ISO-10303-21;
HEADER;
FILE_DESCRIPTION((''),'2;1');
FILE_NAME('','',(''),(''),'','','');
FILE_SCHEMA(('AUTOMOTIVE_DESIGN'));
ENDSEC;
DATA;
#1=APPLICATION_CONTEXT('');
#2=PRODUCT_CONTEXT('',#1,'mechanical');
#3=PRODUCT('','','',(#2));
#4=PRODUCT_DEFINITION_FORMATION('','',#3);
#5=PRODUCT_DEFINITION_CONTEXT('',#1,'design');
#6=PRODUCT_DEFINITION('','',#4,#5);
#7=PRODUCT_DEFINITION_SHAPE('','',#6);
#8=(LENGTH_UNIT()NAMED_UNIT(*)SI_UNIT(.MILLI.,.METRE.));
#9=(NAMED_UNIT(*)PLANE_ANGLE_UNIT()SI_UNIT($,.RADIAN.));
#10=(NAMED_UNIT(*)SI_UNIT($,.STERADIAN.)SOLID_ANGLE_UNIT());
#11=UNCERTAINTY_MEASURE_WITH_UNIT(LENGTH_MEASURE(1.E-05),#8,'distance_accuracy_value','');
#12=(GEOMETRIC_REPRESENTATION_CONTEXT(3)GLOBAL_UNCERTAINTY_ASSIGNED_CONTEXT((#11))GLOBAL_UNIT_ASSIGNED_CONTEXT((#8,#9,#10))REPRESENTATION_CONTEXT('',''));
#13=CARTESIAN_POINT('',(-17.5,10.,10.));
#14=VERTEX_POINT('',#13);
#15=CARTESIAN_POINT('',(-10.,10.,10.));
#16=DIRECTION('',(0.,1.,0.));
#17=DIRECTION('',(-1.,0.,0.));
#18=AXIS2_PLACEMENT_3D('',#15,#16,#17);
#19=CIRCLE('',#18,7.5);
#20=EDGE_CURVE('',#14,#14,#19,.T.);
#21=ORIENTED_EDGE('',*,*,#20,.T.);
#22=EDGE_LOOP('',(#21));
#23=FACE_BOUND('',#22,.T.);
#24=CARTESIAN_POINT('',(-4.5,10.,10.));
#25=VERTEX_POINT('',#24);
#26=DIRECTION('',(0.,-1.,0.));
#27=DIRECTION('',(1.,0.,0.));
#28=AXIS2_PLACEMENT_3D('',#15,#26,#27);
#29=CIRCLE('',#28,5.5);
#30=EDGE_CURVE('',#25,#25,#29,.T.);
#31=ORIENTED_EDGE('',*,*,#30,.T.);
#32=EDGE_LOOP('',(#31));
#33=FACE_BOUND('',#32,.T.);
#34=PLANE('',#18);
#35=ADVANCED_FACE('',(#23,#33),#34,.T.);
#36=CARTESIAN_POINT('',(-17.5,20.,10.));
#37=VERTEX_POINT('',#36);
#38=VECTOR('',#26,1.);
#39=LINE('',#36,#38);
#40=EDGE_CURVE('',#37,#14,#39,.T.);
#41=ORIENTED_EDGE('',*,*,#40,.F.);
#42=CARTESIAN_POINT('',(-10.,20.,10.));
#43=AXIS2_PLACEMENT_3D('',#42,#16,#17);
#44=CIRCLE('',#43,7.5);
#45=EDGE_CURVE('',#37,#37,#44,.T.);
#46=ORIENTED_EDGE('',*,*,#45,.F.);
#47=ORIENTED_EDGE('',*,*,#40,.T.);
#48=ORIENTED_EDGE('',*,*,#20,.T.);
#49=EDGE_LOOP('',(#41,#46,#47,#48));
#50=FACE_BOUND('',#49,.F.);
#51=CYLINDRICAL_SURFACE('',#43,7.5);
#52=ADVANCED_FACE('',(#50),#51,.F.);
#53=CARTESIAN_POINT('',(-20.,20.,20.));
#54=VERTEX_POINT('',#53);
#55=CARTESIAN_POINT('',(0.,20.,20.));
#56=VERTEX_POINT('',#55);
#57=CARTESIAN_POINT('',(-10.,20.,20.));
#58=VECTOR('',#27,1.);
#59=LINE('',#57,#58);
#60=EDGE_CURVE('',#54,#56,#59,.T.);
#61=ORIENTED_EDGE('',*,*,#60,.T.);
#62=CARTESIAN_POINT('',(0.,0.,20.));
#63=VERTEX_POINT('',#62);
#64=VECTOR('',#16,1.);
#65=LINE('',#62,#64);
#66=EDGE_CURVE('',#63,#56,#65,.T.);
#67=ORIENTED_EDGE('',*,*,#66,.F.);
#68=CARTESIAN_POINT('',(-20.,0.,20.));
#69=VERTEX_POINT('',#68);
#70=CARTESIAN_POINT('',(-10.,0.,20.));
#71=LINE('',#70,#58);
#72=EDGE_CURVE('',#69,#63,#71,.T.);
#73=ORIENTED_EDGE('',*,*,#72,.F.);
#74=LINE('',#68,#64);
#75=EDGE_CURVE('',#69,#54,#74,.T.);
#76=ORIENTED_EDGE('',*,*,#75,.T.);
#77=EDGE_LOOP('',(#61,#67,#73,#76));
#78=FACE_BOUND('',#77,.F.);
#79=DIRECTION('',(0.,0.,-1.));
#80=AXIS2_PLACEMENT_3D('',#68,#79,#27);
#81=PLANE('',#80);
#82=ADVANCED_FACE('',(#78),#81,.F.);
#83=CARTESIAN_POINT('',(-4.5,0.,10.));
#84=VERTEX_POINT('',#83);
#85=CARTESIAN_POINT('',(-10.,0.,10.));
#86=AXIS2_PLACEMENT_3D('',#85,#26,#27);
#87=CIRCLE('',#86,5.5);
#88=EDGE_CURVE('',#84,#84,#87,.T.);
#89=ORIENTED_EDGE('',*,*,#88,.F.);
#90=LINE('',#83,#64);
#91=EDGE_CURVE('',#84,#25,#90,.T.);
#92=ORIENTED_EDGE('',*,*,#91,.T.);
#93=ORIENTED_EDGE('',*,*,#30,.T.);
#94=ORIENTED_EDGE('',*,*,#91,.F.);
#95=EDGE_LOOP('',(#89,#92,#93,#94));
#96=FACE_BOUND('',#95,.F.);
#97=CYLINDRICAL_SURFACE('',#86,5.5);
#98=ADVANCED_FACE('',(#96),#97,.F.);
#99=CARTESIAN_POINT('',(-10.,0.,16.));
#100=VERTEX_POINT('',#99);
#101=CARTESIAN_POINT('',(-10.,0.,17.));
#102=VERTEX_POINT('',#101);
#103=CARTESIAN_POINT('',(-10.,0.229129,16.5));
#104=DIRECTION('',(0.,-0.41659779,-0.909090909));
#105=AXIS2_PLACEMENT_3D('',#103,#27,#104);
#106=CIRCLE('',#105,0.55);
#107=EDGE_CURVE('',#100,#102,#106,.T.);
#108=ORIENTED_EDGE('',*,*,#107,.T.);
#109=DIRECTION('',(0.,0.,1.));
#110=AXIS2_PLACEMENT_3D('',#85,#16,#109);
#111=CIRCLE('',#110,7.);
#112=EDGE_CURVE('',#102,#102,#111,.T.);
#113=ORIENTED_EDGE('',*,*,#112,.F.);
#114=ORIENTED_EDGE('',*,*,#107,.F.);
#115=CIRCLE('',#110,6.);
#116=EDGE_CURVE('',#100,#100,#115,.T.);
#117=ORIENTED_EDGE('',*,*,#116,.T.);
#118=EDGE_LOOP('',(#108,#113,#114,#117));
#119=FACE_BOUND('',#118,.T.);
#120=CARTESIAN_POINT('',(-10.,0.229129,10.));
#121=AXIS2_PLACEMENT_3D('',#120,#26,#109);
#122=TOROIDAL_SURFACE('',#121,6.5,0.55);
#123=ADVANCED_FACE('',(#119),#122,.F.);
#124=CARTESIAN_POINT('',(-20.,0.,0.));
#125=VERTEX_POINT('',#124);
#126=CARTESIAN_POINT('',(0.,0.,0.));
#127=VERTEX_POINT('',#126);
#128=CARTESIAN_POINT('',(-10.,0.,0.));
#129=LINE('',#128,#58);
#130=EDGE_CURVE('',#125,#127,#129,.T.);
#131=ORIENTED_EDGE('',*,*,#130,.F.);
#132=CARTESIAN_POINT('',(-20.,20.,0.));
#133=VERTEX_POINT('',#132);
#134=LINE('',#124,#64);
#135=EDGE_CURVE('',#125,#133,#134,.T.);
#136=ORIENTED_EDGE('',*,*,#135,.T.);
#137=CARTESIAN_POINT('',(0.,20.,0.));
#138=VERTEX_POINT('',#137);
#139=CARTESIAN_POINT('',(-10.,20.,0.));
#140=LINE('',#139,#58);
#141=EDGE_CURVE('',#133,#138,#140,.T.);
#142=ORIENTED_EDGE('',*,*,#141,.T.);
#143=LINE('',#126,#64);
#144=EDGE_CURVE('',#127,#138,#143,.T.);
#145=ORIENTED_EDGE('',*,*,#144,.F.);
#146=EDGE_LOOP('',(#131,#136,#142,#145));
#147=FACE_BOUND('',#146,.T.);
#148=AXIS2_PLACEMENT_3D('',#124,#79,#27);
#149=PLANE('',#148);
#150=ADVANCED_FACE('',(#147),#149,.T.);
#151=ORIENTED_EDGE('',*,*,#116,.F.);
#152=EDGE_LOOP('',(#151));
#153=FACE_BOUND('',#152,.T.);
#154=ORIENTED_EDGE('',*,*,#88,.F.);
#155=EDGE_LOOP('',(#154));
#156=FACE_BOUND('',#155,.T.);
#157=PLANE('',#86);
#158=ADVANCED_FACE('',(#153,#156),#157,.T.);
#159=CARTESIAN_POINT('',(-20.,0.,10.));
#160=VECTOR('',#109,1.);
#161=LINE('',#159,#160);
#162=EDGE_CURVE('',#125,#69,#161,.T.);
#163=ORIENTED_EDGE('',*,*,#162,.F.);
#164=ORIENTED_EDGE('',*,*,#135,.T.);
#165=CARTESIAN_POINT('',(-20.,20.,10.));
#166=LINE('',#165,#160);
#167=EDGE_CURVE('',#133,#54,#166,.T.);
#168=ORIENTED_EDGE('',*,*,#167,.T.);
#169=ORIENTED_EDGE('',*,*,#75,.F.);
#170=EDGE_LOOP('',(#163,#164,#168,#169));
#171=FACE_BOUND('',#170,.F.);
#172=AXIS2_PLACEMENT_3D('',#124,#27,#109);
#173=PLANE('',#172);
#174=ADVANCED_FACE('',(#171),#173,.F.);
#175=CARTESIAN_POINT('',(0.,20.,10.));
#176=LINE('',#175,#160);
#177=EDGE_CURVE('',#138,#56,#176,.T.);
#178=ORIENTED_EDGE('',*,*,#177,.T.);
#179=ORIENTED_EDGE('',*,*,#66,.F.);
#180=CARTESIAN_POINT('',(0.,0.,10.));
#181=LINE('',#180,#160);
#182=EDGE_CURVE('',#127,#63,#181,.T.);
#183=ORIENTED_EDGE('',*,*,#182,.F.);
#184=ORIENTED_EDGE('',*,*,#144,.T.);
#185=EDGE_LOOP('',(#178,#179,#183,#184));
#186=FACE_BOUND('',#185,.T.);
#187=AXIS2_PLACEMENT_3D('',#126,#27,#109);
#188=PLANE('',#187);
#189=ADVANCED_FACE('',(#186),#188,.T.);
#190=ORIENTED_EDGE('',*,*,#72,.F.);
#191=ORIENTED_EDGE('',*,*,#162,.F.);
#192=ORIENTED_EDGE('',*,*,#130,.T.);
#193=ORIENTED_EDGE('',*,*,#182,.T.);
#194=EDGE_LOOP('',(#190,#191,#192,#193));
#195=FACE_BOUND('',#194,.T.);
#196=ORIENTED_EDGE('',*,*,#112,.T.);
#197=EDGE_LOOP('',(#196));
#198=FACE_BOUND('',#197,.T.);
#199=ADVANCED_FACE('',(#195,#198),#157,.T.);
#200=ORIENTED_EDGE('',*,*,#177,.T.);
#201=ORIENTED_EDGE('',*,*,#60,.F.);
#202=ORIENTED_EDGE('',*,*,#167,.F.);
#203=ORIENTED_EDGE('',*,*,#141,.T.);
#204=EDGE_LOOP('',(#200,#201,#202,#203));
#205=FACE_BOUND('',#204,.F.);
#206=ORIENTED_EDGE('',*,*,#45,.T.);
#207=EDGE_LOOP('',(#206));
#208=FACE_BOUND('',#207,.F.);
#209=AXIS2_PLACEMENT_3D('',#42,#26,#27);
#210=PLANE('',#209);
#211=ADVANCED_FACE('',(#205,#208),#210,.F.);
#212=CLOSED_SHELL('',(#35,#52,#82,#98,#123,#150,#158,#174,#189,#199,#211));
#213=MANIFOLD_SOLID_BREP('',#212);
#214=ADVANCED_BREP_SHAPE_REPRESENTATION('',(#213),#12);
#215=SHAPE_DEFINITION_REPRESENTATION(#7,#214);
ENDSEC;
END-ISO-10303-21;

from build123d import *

# Parameters (mm, degrees)
F0_W     = 20
F0_H     = 20
F0_R     = 5.5
F1_DEPTH = 20
F5_R     = 7.5
F6_DEPTH = 10


with BuildPart() as f1:
    # F0 (on Front) → F1 (new body)
    with BuildSketch(Plane.XZ):
        with Locations((-10, 10)):
            Rectangle(F0_W, F0_H)
        with Locations((-10, 10)):
            Circle(F0_R, mode=Mode.SUBTRACT)
    extrude(amount=-F1_DEPTH)

    # F3 (on offset) → F4 (revolve, cut)
    with BuildSketch(Plane.YZ.offset(-10)):
        with BuildLine():
            ThreePointArc((0, 16), (0.7791287847, 16.5), (0, 17))
            Line((0, 17), (0, 16))
        make_face()
    revolve(axis=Axis((-10, 6.498338189, 10), (0, 1, 0)), mode=Mode.SUBTRACT)

    # F5 (on face) → F6 (cut)
    with BuildSketch(Plane(origin=(0, 20, 0), x_dir=(-1, 0, 0), z_dir=(0, 1, 0))):
        with Locations((10, 10)):
            Circle(F5_R)
    extrude(amount=-F6_DEPTH, mode=Mode.SUBTRACT)


solid = f1.part
